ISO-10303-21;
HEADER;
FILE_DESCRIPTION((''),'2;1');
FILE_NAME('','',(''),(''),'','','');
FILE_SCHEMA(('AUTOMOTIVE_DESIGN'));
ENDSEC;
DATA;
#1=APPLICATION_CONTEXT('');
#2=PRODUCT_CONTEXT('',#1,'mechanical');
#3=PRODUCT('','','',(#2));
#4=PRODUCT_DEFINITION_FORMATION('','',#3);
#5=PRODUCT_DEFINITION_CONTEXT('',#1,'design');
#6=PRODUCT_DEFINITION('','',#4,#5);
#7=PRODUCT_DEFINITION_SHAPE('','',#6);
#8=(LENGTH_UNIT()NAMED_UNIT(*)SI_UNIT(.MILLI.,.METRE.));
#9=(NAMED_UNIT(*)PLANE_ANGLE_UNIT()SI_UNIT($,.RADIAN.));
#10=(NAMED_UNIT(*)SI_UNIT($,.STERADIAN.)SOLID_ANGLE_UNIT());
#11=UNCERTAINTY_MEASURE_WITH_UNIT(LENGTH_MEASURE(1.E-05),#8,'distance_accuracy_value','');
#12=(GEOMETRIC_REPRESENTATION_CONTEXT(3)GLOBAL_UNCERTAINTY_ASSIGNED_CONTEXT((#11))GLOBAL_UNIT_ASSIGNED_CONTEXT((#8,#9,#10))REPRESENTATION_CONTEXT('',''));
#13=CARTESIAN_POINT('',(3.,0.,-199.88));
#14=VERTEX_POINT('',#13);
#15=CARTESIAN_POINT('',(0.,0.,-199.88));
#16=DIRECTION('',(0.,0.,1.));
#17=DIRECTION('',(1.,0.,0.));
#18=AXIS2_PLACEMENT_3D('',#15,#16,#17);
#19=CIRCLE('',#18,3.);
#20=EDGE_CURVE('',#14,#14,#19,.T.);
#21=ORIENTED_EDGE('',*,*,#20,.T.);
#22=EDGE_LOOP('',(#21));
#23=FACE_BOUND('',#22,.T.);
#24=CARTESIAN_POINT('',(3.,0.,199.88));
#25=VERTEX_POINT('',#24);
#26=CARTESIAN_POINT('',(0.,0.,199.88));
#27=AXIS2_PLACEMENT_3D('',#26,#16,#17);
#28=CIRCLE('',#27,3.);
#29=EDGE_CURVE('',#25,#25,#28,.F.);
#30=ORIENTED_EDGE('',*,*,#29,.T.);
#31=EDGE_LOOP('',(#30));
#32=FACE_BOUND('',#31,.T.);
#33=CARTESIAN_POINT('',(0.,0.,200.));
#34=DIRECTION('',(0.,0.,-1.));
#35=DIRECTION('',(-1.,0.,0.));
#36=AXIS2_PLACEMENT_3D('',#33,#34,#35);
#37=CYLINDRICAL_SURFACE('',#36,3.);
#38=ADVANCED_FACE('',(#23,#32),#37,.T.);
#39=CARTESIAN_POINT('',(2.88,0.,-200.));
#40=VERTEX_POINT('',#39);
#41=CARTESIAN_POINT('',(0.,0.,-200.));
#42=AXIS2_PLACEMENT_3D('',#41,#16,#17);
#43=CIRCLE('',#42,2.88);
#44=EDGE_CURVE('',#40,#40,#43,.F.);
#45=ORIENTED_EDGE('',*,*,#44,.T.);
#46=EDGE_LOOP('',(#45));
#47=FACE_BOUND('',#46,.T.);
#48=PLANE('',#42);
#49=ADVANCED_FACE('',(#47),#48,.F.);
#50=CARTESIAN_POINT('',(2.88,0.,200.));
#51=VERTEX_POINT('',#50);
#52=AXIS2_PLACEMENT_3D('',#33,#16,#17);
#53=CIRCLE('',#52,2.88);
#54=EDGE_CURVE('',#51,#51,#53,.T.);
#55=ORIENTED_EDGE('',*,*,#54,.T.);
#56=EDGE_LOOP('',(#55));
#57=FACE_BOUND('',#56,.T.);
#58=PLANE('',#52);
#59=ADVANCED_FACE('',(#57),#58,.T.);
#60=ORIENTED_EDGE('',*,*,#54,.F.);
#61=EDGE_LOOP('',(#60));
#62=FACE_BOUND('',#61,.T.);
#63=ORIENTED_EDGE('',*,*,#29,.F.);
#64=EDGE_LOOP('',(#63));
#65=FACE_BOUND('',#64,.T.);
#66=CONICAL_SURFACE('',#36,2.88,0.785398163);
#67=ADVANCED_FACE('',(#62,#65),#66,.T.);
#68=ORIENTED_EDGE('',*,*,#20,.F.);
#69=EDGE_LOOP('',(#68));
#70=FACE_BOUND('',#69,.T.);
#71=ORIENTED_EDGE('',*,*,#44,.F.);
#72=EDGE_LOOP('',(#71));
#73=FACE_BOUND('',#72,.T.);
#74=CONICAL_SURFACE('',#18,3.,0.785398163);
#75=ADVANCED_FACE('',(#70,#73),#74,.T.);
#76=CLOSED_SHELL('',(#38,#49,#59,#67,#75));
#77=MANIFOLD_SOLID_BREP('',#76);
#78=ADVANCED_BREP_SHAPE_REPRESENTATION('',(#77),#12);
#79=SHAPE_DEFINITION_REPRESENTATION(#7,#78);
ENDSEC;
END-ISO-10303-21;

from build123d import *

# Parameters (mm, degrees)
BOSS_EXTRUDE1_DEPTH      = 200
BOSS_EXTRUDE1_DEPTH_BACK = 200
SKETCH3_R                = 3
CHAMFER1_SIZE            = 0.12


with BuildPart() as part:
    # Sketch3 → Boss-Extrude1 (new, two sides: drawn at the far end of the back side and taken through both)
    with BuildSketch(Plane.XY.offset(-BOSS_EXTRUDE1_DEPTH_BACK)):
        Circle(SKETCH3_R)
    extrude(amount=BOSS_EXTRUDE1_DEPTH + BOSS_EXTRUDE1_DEPTH_BACK)

    # Chamfer1
    chamfer1_edges = [part.edges().sort_by_distance(p)[0] for p in [
        (-3, 0, -200),
        (-3, 0, 200),
    ]]
    chamfer(chamfer1_edges, length=CHAMFER1_SIZE)


solid = part.part
